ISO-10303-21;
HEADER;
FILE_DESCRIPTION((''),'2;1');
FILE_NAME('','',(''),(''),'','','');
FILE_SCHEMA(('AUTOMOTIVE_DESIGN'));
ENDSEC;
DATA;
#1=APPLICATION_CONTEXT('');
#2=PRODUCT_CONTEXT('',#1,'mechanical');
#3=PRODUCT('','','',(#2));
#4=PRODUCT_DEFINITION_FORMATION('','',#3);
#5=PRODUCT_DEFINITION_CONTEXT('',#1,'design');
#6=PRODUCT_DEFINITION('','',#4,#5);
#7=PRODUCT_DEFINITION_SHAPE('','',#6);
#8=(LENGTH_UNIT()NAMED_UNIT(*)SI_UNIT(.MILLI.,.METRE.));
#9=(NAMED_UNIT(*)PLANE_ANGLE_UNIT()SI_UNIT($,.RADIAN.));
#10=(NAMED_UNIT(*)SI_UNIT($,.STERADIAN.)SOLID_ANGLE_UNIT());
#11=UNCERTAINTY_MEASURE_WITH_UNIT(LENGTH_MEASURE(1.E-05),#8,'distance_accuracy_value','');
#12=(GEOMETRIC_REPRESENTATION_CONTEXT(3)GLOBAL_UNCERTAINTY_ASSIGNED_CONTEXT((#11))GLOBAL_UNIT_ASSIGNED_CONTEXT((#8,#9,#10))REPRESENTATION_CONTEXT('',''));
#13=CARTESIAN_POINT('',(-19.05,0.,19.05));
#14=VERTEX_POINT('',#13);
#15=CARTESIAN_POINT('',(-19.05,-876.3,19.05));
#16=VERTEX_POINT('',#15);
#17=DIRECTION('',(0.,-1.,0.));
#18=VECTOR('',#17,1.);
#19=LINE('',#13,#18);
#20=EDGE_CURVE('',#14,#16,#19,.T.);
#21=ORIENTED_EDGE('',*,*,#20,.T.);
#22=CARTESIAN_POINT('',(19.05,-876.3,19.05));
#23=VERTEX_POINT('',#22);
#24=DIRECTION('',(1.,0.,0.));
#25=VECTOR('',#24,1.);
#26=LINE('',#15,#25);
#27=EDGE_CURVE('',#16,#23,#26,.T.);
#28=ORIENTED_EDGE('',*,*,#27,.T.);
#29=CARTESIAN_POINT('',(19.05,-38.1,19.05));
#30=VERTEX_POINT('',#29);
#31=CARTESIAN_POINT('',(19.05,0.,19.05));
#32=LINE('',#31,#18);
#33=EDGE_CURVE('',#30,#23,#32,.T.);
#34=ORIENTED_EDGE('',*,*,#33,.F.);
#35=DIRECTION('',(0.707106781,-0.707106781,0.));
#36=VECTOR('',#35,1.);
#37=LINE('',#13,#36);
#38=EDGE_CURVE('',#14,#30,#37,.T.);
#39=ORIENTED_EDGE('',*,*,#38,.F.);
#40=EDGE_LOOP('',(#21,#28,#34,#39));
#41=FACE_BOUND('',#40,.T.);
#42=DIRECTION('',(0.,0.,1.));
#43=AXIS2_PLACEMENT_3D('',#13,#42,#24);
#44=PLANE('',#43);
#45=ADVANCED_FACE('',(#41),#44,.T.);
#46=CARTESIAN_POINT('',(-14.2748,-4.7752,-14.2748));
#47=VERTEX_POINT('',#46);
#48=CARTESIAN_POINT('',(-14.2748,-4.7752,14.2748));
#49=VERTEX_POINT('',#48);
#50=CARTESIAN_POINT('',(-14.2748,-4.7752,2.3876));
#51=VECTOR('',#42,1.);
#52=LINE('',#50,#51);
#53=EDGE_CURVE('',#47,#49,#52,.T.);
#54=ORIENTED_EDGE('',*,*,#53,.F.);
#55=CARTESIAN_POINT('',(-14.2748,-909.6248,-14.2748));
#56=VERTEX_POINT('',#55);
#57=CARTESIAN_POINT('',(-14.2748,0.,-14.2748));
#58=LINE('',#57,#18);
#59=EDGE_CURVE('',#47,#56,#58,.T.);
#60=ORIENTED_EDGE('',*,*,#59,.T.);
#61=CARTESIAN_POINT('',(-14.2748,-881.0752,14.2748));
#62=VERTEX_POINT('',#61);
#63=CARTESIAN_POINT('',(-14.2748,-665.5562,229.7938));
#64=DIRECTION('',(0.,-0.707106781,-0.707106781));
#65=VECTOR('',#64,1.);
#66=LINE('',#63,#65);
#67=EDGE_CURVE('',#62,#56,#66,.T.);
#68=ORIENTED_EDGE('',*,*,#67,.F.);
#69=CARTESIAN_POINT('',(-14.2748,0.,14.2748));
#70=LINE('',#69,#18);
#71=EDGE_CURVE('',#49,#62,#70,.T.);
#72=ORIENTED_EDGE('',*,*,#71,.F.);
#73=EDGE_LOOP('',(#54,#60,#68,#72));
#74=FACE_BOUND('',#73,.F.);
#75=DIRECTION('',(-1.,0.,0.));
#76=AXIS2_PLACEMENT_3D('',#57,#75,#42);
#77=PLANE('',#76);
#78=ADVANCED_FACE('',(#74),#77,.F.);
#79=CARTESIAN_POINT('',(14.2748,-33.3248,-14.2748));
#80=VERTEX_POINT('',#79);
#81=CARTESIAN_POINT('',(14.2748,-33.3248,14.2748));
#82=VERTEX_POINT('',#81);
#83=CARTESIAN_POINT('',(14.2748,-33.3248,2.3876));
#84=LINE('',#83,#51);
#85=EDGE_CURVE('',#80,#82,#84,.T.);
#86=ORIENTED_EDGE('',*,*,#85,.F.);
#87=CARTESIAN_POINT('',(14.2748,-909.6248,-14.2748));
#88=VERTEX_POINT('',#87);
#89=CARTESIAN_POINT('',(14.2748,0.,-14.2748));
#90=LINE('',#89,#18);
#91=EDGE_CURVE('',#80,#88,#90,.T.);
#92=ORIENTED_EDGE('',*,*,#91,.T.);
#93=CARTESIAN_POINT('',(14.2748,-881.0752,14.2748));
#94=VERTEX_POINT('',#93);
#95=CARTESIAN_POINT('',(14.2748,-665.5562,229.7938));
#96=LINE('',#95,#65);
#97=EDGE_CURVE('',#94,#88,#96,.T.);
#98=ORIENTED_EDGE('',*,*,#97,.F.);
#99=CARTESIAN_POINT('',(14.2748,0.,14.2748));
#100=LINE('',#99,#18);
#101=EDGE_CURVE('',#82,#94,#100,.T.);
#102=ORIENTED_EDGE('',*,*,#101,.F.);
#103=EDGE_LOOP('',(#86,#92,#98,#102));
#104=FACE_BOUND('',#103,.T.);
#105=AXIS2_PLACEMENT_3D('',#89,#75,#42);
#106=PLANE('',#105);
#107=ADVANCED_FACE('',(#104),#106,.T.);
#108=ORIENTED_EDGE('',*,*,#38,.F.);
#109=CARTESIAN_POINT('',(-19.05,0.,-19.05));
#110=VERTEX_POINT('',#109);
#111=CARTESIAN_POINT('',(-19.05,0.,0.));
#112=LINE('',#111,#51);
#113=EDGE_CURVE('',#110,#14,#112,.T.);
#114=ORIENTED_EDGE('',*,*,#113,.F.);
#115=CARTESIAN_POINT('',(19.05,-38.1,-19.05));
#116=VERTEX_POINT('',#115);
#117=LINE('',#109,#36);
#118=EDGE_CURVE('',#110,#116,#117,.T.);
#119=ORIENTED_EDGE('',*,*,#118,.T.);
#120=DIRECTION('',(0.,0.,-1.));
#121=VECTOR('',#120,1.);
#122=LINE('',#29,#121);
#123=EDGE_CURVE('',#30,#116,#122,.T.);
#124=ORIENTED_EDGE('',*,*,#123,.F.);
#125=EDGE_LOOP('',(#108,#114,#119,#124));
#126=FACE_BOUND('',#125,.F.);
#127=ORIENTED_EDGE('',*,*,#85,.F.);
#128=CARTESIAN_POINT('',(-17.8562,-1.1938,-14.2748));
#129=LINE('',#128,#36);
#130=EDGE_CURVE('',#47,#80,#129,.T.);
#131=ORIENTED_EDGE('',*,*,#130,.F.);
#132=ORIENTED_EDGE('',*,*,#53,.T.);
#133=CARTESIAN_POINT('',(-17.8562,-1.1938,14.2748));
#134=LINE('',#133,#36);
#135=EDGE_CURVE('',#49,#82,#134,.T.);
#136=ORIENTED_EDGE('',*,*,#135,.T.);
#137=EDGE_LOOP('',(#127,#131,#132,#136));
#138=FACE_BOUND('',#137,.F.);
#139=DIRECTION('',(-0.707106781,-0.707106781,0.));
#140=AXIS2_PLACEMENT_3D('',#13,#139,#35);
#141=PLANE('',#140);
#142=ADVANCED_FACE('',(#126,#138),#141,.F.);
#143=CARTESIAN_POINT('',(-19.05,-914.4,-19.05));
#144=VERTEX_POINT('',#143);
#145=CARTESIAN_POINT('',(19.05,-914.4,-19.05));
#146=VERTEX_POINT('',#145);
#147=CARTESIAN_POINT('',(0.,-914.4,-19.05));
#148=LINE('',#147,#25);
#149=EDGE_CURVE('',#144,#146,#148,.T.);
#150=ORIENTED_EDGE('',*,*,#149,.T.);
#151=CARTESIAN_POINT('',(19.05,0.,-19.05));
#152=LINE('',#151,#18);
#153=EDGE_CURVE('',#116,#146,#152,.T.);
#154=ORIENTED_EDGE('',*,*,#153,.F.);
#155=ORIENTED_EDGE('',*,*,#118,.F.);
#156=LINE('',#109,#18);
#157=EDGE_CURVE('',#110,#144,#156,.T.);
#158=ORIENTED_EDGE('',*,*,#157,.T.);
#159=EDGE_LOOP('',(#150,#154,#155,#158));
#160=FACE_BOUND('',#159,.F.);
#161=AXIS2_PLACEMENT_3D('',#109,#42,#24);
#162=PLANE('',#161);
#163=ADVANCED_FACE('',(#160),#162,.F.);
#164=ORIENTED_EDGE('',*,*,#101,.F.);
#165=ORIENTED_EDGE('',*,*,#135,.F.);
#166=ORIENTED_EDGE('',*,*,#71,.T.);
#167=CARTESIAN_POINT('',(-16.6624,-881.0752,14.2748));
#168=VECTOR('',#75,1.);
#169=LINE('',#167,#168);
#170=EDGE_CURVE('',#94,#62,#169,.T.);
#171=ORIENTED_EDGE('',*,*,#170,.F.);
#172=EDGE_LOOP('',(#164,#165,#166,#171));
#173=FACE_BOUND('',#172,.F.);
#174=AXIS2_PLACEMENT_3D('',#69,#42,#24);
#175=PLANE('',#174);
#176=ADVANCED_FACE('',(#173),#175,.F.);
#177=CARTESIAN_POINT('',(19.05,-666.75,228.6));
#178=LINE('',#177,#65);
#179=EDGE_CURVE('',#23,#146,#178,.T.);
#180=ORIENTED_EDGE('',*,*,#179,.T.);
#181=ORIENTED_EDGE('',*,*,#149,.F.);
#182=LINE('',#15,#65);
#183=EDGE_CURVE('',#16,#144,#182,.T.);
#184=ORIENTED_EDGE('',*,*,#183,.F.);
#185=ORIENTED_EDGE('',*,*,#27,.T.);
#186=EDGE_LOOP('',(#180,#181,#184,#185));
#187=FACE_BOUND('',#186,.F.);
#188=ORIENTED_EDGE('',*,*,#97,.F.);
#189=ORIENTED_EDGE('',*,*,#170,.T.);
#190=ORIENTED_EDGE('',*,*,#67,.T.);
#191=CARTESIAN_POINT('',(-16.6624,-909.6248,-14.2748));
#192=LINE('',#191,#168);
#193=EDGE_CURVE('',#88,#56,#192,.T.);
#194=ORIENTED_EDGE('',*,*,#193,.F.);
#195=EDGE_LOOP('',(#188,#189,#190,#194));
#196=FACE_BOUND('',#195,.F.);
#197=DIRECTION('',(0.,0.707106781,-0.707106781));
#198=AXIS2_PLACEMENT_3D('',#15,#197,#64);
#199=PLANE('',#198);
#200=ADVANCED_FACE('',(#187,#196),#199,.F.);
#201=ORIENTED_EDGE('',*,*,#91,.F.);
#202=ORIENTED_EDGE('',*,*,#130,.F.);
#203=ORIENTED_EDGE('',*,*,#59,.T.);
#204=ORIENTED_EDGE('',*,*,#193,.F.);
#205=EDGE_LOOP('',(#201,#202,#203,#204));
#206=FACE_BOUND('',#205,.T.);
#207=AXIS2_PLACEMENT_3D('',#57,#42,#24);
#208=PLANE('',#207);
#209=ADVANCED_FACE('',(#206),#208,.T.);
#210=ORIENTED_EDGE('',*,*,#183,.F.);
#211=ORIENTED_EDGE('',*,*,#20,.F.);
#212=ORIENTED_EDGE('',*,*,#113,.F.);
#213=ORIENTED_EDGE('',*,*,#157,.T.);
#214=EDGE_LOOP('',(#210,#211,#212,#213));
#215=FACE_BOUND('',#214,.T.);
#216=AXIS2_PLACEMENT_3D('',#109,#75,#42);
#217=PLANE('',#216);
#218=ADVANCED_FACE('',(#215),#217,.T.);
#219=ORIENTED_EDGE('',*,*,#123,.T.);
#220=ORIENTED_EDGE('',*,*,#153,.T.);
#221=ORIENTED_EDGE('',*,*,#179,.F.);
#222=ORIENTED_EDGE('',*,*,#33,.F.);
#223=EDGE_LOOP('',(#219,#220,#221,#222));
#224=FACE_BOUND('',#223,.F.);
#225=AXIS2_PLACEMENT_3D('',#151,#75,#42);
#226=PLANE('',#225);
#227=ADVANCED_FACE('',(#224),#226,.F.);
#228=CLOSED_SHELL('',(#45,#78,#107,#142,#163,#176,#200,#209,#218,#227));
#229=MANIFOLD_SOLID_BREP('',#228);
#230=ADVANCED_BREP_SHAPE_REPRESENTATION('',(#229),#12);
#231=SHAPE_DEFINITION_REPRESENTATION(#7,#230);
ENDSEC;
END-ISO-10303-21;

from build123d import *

# Parameters (mm, degrees)
F0_W     = 38.1
F0_H     = 38.1
F0_W_2   = 28.5496
F0_H_2   = 28.5496
F1_DEPTH = 914.4
F4_DEPTH = 38.101
F5_DEPTH = 38.101


with BuildPart() as f1:
    # F0 (on Front) → F1 (new body)
    with BuildSketch(Plane.XZ):
        Rectangle(F0_W, F0_H)
        Rectangle(F0_W_2, F0_H_2, mode=Mode.SUBTRACT)
    extrude(amount=F1_DEPTH)

    # F2 (on face) → F4 (cut, through all)
    with BuildSketch(Plane.XY.offset(19.05)):
        Polygon((19.05, 0), (-19.05, 0), (19.05, -38.1), align=None)
    extrude(amount=-F4_DEPTH, mode=Mode.SUBTRACT)

    # F3 (on face) → F5 (cut, through all)
    with BuildSketch(Plane(origin=(-19.05, 0, 0), x_dir=(0, -1, 0), z_dir=(-1, 0, 0))):
        Polygon((876.3, 19.05), (914.4, -19.05), (914.4, 19.05), align=None)
    extrude(amount=-F5_DEPTH, mode=Mode.SUBTRACT)


solid = f1.part
